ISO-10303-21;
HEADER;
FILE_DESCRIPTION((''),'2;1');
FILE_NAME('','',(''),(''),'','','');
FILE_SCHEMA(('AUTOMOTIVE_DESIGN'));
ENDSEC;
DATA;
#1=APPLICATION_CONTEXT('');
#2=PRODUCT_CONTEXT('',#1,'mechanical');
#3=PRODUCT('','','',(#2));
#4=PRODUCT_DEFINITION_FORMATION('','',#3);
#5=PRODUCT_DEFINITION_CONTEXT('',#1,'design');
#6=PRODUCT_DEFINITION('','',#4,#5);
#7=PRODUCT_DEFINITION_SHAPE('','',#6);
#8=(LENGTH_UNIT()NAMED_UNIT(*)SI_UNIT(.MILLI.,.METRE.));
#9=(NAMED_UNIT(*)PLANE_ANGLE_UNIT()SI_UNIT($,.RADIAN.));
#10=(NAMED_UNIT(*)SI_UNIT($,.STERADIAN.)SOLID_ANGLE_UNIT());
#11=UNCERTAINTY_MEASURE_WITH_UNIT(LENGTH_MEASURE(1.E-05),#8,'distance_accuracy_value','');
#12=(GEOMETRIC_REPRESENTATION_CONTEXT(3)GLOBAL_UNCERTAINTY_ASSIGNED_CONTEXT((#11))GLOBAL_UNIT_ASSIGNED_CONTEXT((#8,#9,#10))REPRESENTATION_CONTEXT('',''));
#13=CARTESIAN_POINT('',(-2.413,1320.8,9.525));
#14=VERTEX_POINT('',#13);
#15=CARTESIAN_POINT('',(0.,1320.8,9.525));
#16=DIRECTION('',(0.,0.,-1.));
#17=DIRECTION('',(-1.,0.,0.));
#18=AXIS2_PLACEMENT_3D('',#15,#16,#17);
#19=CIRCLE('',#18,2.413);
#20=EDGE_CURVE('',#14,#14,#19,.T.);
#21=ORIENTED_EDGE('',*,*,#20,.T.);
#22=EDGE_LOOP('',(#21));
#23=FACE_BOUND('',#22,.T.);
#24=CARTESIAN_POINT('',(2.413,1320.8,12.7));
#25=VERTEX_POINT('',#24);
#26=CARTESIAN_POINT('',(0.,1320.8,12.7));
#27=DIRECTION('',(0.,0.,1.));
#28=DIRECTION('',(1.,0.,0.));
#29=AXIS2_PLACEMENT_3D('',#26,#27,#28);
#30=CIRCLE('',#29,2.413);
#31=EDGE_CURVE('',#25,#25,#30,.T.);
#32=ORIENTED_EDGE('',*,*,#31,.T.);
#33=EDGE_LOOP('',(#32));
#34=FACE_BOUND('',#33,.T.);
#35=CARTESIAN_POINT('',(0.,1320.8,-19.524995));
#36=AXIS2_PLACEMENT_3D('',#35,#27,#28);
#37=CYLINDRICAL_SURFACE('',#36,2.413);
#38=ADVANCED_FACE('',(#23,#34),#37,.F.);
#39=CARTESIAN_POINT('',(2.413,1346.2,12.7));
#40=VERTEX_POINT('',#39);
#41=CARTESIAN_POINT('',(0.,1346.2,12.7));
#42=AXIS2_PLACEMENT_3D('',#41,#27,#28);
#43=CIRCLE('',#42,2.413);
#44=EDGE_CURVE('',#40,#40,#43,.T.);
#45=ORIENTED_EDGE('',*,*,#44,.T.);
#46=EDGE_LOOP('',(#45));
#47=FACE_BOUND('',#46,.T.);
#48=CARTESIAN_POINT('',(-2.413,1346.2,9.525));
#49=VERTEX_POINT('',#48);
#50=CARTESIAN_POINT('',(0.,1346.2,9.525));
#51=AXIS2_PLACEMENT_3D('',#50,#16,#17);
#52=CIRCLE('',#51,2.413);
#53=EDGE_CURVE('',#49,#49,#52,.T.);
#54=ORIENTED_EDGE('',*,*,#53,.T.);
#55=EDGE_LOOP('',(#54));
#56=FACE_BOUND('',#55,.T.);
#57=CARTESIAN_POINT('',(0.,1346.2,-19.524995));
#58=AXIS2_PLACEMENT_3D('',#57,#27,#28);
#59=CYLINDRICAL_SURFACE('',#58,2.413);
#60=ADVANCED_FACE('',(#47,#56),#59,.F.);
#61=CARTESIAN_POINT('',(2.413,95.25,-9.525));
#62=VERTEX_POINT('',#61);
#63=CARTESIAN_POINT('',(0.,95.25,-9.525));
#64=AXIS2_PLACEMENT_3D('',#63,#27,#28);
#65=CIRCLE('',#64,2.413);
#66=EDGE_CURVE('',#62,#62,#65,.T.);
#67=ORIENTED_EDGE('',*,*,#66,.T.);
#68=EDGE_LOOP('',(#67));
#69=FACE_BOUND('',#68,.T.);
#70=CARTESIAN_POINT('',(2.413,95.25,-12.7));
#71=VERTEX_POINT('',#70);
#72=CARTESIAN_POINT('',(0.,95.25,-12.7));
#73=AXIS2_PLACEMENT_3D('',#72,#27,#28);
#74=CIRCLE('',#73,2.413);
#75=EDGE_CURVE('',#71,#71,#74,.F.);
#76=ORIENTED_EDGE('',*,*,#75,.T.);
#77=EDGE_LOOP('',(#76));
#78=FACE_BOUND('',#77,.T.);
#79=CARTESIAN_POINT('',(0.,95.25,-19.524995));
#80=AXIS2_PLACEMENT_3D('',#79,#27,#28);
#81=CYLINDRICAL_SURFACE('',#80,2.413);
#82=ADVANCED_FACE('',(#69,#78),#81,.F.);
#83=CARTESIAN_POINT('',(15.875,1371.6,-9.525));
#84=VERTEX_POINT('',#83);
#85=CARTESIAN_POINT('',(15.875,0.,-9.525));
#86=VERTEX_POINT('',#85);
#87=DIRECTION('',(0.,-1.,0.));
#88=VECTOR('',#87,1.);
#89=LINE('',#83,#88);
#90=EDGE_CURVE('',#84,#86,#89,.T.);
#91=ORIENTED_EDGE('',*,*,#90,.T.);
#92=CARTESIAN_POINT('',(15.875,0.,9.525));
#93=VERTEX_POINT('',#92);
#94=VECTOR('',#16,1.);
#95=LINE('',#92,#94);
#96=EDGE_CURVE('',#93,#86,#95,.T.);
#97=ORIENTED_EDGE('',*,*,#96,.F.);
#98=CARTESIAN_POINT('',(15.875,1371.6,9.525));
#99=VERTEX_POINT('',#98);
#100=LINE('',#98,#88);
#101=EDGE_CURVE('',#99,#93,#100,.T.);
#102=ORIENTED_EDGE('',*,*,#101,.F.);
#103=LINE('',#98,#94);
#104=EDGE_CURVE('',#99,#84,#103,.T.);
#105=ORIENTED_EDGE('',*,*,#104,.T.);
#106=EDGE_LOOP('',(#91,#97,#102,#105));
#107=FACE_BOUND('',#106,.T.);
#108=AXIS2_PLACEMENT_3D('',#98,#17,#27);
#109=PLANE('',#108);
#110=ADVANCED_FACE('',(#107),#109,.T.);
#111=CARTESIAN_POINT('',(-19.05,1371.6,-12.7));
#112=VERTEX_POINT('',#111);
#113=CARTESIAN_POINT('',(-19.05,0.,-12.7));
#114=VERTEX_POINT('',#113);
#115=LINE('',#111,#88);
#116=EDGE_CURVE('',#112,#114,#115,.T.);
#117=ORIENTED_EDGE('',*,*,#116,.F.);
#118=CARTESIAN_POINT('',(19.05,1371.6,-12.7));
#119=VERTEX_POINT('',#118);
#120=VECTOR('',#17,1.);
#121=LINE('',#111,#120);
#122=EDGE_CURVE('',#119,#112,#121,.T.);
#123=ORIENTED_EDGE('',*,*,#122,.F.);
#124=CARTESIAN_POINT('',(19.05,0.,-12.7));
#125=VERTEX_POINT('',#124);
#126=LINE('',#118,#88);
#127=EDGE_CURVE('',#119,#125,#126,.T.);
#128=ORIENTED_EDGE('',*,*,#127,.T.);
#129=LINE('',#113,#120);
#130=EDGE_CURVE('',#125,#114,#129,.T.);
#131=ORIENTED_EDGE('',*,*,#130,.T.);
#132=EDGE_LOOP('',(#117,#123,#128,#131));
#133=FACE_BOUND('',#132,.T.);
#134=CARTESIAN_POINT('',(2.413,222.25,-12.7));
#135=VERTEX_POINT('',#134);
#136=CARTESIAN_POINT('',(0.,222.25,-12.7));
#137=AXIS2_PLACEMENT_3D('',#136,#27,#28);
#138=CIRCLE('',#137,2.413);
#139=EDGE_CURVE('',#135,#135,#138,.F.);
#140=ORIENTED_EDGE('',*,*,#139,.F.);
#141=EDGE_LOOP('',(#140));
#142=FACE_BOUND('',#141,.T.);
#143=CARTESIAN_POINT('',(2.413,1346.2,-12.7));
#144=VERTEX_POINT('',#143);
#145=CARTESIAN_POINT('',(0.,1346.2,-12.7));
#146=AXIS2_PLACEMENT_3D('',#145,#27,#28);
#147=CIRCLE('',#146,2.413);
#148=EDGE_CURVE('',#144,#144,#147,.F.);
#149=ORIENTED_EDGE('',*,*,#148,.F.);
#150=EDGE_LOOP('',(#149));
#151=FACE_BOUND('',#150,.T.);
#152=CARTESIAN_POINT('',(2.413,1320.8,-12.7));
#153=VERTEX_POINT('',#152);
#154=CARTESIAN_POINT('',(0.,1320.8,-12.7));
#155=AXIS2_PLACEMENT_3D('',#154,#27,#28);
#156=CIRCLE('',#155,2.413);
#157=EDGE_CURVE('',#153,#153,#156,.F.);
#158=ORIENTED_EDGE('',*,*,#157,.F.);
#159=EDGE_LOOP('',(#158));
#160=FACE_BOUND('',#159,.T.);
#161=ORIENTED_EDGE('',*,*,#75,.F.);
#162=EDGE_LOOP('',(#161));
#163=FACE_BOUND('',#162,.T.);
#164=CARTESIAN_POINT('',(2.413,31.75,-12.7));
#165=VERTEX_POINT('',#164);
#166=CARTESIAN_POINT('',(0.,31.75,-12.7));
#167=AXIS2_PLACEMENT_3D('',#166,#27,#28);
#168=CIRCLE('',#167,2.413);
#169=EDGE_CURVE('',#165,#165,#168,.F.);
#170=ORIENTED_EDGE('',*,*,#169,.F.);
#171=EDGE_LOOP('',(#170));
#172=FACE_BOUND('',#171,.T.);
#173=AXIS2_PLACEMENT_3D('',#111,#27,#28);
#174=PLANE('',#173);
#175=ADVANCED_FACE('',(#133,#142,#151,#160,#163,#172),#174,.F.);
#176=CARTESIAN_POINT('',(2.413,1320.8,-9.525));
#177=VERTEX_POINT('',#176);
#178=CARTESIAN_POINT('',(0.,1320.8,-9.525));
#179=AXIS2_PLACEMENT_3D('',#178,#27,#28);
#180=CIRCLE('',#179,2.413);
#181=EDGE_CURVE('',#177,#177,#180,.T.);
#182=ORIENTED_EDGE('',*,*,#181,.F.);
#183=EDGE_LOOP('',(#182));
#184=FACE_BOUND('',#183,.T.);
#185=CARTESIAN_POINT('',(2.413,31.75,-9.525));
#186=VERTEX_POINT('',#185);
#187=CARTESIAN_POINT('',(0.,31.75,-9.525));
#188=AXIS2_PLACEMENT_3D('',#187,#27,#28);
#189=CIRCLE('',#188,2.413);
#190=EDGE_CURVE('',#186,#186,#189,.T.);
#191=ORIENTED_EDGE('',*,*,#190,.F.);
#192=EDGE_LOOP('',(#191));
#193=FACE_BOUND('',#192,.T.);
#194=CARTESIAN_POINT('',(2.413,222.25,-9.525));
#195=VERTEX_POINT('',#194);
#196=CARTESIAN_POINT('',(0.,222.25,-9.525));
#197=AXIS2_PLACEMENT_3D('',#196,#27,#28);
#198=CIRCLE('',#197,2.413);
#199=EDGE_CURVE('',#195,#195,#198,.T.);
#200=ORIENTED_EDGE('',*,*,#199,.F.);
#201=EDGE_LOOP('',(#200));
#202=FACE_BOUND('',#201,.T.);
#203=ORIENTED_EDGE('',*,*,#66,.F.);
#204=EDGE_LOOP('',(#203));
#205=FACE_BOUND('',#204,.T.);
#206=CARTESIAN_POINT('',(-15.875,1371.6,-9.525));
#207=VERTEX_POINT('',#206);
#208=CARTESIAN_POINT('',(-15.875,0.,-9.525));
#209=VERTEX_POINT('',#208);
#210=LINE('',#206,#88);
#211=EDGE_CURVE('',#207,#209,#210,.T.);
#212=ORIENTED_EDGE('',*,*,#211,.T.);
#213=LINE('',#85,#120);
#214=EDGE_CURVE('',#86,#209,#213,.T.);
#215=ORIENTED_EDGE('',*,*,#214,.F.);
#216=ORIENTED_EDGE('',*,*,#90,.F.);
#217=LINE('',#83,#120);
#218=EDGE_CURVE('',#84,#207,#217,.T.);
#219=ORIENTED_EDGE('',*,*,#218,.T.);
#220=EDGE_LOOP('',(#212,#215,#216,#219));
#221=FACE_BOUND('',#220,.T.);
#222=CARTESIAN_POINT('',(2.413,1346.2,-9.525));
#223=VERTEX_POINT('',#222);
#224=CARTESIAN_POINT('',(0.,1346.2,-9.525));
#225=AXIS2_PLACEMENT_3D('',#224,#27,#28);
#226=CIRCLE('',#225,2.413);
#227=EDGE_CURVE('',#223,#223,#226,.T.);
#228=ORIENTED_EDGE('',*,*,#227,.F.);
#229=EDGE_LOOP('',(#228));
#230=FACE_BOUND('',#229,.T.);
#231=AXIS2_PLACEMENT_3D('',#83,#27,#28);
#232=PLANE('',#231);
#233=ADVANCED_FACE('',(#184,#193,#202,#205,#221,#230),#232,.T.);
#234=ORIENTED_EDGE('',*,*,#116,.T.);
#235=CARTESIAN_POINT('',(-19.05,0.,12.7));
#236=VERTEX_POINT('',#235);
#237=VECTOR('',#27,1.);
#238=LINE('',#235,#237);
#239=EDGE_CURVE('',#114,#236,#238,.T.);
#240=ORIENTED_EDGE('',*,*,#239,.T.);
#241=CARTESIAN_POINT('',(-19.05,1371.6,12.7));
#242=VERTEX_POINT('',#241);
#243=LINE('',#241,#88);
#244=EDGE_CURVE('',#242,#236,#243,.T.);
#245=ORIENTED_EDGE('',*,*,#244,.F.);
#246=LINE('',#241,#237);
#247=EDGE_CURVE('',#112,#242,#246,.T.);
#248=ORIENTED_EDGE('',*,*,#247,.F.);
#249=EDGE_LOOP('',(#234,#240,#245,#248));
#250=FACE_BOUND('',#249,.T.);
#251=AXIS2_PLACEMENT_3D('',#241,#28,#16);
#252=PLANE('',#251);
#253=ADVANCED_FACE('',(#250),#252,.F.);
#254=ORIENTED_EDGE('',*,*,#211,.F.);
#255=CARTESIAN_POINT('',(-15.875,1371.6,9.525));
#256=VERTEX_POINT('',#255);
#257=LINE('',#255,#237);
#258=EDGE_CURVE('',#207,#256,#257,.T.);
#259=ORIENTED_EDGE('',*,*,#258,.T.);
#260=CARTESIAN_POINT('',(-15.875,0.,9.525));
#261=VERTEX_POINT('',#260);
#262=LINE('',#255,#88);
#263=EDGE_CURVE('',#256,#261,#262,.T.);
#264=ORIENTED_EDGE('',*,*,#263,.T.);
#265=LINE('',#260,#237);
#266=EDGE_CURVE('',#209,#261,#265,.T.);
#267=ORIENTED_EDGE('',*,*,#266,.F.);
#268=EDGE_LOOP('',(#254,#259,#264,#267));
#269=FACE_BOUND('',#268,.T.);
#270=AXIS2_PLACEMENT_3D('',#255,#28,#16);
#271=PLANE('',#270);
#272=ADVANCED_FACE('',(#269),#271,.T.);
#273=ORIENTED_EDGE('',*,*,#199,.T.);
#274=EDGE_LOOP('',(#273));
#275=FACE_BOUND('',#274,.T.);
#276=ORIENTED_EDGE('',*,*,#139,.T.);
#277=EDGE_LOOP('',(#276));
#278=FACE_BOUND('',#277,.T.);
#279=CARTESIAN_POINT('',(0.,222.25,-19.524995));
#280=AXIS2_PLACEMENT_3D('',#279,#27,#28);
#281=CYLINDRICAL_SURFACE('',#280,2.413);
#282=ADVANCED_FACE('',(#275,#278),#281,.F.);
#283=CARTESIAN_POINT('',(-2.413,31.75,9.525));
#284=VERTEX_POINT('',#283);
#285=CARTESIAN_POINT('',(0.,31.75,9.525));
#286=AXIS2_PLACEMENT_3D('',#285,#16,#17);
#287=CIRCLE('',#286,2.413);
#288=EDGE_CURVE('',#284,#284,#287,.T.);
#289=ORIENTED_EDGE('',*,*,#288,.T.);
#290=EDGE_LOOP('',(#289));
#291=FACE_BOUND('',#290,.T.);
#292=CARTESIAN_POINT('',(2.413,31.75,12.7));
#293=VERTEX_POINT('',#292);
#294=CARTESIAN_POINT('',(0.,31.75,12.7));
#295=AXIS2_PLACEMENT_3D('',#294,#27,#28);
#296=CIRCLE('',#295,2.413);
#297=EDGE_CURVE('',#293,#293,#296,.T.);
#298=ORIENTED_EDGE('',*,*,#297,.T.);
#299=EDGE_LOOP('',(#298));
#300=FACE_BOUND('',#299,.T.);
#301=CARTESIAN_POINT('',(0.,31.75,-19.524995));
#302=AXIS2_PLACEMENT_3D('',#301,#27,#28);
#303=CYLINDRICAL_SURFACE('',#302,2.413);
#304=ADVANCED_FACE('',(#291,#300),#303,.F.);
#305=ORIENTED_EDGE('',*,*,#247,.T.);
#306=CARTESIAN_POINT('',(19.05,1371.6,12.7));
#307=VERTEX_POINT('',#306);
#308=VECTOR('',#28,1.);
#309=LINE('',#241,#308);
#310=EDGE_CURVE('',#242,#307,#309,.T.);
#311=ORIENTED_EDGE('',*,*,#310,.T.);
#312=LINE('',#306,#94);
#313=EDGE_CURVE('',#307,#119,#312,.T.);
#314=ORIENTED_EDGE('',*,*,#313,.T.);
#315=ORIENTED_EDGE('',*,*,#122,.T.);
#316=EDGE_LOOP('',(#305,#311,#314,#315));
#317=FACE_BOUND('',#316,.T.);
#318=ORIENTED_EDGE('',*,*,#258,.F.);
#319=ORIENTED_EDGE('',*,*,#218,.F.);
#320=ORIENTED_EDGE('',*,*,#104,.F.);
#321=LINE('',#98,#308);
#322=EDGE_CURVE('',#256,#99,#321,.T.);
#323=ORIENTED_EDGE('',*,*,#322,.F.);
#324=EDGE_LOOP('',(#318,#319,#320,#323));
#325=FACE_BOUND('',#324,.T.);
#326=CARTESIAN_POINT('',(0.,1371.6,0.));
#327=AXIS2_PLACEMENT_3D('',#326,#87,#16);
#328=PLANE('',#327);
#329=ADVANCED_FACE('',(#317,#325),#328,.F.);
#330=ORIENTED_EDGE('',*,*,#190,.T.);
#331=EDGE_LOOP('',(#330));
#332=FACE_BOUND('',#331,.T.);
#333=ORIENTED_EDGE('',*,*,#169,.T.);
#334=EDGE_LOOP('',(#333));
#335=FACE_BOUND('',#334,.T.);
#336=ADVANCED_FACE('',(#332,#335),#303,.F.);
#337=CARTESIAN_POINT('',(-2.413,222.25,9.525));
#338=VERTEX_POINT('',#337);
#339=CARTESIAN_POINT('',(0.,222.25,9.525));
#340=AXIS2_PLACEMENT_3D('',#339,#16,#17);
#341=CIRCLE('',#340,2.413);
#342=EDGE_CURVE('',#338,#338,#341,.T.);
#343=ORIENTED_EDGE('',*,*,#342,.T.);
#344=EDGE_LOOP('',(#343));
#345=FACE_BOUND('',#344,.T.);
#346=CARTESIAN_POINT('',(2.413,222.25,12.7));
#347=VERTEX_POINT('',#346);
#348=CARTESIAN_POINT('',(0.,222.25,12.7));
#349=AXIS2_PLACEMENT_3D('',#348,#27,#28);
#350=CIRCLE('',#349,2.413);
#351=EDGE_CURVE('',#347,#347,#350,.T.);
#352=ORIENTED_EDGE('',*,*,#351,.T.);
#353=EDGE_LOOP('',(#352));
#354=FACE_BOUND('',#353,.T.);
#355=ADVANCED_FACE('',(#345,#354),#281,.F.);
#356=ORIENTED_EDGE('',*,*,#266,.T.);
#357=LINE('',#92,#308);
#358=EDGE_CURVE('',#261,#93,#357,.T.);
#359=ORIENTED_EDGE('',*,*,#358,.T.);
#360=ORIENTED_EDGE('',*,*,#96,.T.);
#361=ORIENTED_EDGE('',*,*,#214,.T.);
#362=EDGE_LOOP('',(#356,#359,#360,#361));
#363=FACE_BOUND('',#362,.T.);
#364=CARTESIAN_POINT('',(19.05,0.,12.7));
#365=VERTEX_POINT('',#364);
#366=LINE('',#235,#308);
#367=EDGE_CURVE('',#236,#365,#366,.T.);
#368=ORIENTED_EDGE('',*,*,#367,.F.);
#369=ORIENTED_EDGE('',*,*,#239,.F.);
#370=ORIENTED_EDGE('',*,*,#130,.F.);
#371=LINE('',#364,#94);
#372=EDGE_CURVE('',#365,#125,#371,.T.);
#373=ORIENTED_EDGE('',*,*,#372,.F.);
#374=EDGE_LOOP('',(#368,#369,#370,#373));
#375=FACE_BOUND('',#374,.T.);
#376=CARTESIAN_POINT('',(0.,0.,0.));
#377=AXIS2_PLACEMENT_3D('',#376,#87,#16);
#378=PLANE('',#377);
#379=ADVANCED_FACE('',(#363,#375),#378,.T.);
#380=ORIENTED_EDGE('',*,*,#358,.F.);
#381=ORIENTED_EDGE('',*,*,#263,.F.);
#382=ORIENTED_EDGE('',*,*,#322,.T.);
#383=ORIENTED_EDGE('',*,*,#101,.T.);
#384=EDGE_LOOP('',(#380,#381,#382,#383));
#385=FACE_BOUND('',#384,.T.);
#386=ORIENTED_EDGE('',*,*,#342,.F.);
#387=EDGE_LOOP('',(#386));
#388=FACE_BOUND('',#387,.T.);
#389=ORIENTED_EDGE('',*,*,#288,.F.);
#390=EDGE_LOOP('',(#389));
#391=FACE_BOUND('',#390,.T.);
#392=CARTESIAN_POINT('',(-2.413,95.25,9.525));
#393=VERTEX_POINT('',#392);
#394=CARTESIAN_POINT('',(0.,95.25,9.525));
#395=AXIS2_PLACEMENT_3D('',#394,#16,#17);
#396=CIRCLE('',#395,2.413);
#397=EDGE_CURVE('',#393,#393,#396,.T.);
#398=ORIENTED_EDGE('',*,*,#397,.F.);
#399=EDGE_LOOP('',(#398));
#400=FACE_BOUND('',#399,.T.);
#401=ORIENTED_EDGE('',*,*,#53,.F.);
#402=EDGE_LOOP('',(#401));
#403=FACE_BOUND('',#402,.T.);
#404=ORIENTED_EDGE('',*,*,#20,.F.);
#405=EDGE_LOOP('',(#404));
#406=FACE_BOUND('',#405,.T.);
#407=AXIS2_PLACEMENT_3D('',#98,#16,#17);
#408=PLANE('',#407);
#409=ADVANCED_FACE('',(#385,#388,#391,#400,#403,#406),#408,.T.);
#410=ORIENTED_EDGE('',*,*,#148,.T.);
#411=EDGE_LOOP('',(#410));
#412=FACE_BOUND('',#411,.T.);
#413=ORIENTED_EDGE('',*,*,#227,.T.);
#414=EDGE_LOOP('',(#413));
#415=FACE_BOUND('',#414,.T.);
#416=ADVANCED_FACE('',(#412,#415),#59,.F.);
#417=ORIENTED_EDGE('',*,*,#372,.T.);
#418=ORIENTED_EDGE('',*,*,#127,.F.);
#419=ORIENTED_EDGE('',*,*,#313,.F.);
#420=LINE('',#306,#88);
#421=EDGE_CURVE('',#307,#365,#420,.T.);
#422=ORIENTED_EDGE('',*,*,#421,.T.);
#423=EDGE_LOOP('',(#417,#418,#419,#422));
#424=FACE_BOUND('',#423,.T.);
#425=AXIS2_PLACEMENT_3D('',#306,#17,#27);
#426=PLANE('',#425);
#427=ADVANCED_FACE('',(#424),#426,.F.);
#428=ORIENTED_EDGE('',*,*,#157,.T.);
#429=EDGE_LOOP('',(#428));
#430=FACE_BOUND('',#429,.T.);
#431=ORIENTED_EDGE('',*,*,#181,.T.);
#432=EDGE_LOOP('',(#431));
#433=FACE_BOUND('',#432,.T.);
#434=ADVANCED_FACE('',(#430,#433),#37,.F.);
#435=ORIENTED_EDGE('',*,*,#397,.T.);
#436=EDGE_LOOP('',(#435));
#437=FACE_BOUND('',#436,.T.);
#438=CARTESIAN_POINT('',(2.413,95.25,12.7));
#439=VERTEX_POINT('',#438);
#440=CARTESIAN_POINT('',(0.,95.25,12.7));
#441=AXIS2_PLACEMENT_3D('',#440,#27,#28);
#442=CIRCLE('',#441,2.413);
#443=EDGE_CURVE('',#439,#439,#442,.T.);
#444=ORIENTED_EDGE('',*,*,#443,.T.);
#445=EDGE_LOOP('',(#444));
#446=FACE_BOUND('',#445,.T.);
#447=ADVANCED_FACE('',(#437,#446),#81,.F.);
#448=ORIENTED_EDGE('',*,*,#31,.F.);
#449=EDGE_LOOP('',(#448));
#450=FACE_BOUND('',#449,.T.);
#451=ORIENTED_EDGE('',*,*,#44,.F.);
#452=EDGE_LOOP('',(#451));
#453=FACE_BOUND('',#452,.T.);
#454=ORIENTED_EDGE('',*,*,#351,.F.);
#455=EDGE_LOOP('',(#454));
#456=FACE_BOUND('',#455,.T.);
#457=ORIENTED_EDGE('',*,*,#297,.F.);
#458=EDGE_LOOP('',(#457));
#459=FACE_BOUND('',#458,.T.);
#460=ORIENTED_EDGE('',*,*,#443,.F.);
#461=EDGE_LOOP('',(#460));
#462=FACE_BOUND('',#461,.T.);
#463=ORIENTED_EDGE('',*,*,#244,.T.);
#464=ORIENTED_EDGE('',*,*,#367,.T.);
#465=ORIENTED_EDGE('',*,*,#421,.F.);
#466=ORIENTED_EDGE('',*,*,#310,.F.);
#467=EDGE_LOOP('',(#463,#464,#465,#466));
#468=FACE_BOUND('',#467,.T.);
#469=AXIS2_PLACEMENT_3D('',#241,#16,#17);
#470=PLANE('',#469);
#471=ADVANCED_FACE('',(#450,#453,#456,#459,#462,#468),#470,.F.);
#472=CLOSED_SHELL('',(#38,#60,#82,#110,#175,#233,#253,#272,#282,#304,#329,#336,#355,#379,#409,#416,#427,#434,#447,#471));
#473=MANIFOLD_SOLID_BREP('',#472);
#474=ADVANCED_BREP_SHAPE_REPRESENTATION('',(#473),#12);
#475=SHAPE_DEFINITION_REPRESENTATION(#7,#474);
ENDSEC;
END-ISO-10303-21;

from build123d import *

# Parameters (mm, degrees)
SKETCH2_W           = 38.1
SKETCH2_H           = 25.4
SKETCH2_W_2         = 31.75
SKETCH2_H_2         = 19.05
BOSS_EXTRUDE1_DEPTH = 1371.6
CUT_EXTRUDE1_REACH  = 1373.967
SKETCH3_R           = 2.413
CUT_EXTRUDE2_REACH  = 1373.967
SKETCH4_R           = 2.413


with BuildPart() as part:
    # Sketch2 → Boss-Extrude1 (new body)
    with BuildSketch(Plane(origin=(0, 0, 0), x_dir=(1, 0, 0), z_dir=(0, 1, 0))):
        Rectangle(SKETCH2_W, SKETCH2_H)
        Rectangle(SKETCH2_W_2, SKETCH2_H_2, mode=Mode.SUBTRACT)
    extrude(amount=BOSS_EXTRUDE1_DEPTH)

    # Cut-Extrude1: up to this face of the body (flat: up to its plane)
    cut_extrude1_end = Plane(part.part.faces().sort_by_distance((0, 685.8, -12.7))[0])
    # Sketch3 → Cut-Extrude1 (cut, up to the picked face)
    with BuildSketch(Plane.XY.offset(12.7), mode=Mode.PRIVATE) as cut_extrude1_sk1:
        with Locations((0, 31.75)):
            Circle(SKETCH3_R)
    cut_extrude1_tool1 = split(extrude(cut_extrude1_sk1.sketch, amount=-CUT_EXTRUDE1_REACH, mode=Mode.PRIVATE), bisect_by=cut_extrude1_end, keep=Keep.BOTH, mode=Mode.PRIVATE)
    # Sketch3 → Cut-Extrude1 (cut, up to the picked face)
    with BuildSketch(Plane.XY.offset(12.7), mode=Mode.PRIVATE) as cut_extrude1_sk2:
        with Locations((0, 222.25)):
            Circle(SKETCH3_R)
    cut_extrude1_tool2 = split(extrude(cut_extrude1_sk2.sketch, amount=-CUT_EXTRUDE1_REACH, mode=Mode.PRIVATE), bisect_by=cut_extrude1_end, keep=Keep.BOTH, mode=Mode.PRIVATE)
    # Sketch3 → Cut-Extrude1 (cut, up to the picked face)
    with BuildSketch(Plane.XY.offset(12.7), mode=Mode.PRIVATE) as cut_extrude1_sk3:
        with Locations((0, 95.25)):
            Circle(SKETCH3_R)
    cut_extrude1_tool3 = split(extrude(cut_extrude1_sk3.sketch, amount=-CUT_EXTRUDE1_REACH, mode=Mode.PRIVATE), bisect_by=cut_extrude1_end, keep=Keep.BOTH, mode=Mode.PRIVATE)
    add(cut_extrude1_tool1.solids().sort_by(Axis((0, 31.75, 12.7), (0, 0, -1)))[0], mode=Mode.SUBTRACT)
    add(cut_extrude1_tool2.solids().sort_by(Axis((0, 222.25, 12.7), (0, 0, -1)))[0], mode=Mode.SUBTRACT)
    add(cut_extrude1_tool3.solids().sort_by(Axis((0, 95.25, 12.7), (0, 0, -1)))[0], mode=Mode.SUBTRACT)

    # Cut-Extrude2: up to this face of the body (flat: up to its plane)
    cut_extrude2_end = Plane(part.part.faces().sort_by_distance((0, 686.398541634, -12.7))[0])
    # Sketch4 → Cut-Extrude2 (cut, up to the picked face)
    with BuildSketch(Plane.XY.offset(12.7), mode=Mode.PRIVATE) as cut_extrude2_sk1:
        with Locations((0, 1346.2)):
            Circle(SKETCH4_R)
    cut_extrude2_tool1 = split(extrude(cut_extrude2_sk1.sketch, amount=-CUT_EXTRUDE2_REACH, mode=Mode.PRIVATE), bisect_by=cut_extrude2_end, keep=Keep.BOTH, mode=Mode.PRIVATE)
    # Sketch4 → Cut-Extrude2 (cut, up to the picked face)
    with BuildSketch(Plane.XY.offset(12.7), mode=Mode.PRIVATE) as cut_extrude2_sk2:
        with Locations((0, 1320.8)):
            Circle(SKETCH4_R)
    cut_extrude2_tool2 = split(extrude(cut_extrude2_sk2.sketch, amount=-CUT_EXTRUDE2_REACH, mode=Mode.PRIVATE), bisect_by=cut_extrude2_end, keep=Keep.BOTH, mode=Mode.PRIVATE)
    add(cut_extrude2_tool1.solids().sort_by(Axis((0, 1346.2, 12.7), (0, 0, -1)))[0], mode=Mode.SUBTRACT)
    add(cut_extrude2_tool2.solids().sort_by(Axis((0, 1320.8, 12.7), (0, 0, -1)))[0], mode=Mode.SUBTRACT)


solid = part.part
